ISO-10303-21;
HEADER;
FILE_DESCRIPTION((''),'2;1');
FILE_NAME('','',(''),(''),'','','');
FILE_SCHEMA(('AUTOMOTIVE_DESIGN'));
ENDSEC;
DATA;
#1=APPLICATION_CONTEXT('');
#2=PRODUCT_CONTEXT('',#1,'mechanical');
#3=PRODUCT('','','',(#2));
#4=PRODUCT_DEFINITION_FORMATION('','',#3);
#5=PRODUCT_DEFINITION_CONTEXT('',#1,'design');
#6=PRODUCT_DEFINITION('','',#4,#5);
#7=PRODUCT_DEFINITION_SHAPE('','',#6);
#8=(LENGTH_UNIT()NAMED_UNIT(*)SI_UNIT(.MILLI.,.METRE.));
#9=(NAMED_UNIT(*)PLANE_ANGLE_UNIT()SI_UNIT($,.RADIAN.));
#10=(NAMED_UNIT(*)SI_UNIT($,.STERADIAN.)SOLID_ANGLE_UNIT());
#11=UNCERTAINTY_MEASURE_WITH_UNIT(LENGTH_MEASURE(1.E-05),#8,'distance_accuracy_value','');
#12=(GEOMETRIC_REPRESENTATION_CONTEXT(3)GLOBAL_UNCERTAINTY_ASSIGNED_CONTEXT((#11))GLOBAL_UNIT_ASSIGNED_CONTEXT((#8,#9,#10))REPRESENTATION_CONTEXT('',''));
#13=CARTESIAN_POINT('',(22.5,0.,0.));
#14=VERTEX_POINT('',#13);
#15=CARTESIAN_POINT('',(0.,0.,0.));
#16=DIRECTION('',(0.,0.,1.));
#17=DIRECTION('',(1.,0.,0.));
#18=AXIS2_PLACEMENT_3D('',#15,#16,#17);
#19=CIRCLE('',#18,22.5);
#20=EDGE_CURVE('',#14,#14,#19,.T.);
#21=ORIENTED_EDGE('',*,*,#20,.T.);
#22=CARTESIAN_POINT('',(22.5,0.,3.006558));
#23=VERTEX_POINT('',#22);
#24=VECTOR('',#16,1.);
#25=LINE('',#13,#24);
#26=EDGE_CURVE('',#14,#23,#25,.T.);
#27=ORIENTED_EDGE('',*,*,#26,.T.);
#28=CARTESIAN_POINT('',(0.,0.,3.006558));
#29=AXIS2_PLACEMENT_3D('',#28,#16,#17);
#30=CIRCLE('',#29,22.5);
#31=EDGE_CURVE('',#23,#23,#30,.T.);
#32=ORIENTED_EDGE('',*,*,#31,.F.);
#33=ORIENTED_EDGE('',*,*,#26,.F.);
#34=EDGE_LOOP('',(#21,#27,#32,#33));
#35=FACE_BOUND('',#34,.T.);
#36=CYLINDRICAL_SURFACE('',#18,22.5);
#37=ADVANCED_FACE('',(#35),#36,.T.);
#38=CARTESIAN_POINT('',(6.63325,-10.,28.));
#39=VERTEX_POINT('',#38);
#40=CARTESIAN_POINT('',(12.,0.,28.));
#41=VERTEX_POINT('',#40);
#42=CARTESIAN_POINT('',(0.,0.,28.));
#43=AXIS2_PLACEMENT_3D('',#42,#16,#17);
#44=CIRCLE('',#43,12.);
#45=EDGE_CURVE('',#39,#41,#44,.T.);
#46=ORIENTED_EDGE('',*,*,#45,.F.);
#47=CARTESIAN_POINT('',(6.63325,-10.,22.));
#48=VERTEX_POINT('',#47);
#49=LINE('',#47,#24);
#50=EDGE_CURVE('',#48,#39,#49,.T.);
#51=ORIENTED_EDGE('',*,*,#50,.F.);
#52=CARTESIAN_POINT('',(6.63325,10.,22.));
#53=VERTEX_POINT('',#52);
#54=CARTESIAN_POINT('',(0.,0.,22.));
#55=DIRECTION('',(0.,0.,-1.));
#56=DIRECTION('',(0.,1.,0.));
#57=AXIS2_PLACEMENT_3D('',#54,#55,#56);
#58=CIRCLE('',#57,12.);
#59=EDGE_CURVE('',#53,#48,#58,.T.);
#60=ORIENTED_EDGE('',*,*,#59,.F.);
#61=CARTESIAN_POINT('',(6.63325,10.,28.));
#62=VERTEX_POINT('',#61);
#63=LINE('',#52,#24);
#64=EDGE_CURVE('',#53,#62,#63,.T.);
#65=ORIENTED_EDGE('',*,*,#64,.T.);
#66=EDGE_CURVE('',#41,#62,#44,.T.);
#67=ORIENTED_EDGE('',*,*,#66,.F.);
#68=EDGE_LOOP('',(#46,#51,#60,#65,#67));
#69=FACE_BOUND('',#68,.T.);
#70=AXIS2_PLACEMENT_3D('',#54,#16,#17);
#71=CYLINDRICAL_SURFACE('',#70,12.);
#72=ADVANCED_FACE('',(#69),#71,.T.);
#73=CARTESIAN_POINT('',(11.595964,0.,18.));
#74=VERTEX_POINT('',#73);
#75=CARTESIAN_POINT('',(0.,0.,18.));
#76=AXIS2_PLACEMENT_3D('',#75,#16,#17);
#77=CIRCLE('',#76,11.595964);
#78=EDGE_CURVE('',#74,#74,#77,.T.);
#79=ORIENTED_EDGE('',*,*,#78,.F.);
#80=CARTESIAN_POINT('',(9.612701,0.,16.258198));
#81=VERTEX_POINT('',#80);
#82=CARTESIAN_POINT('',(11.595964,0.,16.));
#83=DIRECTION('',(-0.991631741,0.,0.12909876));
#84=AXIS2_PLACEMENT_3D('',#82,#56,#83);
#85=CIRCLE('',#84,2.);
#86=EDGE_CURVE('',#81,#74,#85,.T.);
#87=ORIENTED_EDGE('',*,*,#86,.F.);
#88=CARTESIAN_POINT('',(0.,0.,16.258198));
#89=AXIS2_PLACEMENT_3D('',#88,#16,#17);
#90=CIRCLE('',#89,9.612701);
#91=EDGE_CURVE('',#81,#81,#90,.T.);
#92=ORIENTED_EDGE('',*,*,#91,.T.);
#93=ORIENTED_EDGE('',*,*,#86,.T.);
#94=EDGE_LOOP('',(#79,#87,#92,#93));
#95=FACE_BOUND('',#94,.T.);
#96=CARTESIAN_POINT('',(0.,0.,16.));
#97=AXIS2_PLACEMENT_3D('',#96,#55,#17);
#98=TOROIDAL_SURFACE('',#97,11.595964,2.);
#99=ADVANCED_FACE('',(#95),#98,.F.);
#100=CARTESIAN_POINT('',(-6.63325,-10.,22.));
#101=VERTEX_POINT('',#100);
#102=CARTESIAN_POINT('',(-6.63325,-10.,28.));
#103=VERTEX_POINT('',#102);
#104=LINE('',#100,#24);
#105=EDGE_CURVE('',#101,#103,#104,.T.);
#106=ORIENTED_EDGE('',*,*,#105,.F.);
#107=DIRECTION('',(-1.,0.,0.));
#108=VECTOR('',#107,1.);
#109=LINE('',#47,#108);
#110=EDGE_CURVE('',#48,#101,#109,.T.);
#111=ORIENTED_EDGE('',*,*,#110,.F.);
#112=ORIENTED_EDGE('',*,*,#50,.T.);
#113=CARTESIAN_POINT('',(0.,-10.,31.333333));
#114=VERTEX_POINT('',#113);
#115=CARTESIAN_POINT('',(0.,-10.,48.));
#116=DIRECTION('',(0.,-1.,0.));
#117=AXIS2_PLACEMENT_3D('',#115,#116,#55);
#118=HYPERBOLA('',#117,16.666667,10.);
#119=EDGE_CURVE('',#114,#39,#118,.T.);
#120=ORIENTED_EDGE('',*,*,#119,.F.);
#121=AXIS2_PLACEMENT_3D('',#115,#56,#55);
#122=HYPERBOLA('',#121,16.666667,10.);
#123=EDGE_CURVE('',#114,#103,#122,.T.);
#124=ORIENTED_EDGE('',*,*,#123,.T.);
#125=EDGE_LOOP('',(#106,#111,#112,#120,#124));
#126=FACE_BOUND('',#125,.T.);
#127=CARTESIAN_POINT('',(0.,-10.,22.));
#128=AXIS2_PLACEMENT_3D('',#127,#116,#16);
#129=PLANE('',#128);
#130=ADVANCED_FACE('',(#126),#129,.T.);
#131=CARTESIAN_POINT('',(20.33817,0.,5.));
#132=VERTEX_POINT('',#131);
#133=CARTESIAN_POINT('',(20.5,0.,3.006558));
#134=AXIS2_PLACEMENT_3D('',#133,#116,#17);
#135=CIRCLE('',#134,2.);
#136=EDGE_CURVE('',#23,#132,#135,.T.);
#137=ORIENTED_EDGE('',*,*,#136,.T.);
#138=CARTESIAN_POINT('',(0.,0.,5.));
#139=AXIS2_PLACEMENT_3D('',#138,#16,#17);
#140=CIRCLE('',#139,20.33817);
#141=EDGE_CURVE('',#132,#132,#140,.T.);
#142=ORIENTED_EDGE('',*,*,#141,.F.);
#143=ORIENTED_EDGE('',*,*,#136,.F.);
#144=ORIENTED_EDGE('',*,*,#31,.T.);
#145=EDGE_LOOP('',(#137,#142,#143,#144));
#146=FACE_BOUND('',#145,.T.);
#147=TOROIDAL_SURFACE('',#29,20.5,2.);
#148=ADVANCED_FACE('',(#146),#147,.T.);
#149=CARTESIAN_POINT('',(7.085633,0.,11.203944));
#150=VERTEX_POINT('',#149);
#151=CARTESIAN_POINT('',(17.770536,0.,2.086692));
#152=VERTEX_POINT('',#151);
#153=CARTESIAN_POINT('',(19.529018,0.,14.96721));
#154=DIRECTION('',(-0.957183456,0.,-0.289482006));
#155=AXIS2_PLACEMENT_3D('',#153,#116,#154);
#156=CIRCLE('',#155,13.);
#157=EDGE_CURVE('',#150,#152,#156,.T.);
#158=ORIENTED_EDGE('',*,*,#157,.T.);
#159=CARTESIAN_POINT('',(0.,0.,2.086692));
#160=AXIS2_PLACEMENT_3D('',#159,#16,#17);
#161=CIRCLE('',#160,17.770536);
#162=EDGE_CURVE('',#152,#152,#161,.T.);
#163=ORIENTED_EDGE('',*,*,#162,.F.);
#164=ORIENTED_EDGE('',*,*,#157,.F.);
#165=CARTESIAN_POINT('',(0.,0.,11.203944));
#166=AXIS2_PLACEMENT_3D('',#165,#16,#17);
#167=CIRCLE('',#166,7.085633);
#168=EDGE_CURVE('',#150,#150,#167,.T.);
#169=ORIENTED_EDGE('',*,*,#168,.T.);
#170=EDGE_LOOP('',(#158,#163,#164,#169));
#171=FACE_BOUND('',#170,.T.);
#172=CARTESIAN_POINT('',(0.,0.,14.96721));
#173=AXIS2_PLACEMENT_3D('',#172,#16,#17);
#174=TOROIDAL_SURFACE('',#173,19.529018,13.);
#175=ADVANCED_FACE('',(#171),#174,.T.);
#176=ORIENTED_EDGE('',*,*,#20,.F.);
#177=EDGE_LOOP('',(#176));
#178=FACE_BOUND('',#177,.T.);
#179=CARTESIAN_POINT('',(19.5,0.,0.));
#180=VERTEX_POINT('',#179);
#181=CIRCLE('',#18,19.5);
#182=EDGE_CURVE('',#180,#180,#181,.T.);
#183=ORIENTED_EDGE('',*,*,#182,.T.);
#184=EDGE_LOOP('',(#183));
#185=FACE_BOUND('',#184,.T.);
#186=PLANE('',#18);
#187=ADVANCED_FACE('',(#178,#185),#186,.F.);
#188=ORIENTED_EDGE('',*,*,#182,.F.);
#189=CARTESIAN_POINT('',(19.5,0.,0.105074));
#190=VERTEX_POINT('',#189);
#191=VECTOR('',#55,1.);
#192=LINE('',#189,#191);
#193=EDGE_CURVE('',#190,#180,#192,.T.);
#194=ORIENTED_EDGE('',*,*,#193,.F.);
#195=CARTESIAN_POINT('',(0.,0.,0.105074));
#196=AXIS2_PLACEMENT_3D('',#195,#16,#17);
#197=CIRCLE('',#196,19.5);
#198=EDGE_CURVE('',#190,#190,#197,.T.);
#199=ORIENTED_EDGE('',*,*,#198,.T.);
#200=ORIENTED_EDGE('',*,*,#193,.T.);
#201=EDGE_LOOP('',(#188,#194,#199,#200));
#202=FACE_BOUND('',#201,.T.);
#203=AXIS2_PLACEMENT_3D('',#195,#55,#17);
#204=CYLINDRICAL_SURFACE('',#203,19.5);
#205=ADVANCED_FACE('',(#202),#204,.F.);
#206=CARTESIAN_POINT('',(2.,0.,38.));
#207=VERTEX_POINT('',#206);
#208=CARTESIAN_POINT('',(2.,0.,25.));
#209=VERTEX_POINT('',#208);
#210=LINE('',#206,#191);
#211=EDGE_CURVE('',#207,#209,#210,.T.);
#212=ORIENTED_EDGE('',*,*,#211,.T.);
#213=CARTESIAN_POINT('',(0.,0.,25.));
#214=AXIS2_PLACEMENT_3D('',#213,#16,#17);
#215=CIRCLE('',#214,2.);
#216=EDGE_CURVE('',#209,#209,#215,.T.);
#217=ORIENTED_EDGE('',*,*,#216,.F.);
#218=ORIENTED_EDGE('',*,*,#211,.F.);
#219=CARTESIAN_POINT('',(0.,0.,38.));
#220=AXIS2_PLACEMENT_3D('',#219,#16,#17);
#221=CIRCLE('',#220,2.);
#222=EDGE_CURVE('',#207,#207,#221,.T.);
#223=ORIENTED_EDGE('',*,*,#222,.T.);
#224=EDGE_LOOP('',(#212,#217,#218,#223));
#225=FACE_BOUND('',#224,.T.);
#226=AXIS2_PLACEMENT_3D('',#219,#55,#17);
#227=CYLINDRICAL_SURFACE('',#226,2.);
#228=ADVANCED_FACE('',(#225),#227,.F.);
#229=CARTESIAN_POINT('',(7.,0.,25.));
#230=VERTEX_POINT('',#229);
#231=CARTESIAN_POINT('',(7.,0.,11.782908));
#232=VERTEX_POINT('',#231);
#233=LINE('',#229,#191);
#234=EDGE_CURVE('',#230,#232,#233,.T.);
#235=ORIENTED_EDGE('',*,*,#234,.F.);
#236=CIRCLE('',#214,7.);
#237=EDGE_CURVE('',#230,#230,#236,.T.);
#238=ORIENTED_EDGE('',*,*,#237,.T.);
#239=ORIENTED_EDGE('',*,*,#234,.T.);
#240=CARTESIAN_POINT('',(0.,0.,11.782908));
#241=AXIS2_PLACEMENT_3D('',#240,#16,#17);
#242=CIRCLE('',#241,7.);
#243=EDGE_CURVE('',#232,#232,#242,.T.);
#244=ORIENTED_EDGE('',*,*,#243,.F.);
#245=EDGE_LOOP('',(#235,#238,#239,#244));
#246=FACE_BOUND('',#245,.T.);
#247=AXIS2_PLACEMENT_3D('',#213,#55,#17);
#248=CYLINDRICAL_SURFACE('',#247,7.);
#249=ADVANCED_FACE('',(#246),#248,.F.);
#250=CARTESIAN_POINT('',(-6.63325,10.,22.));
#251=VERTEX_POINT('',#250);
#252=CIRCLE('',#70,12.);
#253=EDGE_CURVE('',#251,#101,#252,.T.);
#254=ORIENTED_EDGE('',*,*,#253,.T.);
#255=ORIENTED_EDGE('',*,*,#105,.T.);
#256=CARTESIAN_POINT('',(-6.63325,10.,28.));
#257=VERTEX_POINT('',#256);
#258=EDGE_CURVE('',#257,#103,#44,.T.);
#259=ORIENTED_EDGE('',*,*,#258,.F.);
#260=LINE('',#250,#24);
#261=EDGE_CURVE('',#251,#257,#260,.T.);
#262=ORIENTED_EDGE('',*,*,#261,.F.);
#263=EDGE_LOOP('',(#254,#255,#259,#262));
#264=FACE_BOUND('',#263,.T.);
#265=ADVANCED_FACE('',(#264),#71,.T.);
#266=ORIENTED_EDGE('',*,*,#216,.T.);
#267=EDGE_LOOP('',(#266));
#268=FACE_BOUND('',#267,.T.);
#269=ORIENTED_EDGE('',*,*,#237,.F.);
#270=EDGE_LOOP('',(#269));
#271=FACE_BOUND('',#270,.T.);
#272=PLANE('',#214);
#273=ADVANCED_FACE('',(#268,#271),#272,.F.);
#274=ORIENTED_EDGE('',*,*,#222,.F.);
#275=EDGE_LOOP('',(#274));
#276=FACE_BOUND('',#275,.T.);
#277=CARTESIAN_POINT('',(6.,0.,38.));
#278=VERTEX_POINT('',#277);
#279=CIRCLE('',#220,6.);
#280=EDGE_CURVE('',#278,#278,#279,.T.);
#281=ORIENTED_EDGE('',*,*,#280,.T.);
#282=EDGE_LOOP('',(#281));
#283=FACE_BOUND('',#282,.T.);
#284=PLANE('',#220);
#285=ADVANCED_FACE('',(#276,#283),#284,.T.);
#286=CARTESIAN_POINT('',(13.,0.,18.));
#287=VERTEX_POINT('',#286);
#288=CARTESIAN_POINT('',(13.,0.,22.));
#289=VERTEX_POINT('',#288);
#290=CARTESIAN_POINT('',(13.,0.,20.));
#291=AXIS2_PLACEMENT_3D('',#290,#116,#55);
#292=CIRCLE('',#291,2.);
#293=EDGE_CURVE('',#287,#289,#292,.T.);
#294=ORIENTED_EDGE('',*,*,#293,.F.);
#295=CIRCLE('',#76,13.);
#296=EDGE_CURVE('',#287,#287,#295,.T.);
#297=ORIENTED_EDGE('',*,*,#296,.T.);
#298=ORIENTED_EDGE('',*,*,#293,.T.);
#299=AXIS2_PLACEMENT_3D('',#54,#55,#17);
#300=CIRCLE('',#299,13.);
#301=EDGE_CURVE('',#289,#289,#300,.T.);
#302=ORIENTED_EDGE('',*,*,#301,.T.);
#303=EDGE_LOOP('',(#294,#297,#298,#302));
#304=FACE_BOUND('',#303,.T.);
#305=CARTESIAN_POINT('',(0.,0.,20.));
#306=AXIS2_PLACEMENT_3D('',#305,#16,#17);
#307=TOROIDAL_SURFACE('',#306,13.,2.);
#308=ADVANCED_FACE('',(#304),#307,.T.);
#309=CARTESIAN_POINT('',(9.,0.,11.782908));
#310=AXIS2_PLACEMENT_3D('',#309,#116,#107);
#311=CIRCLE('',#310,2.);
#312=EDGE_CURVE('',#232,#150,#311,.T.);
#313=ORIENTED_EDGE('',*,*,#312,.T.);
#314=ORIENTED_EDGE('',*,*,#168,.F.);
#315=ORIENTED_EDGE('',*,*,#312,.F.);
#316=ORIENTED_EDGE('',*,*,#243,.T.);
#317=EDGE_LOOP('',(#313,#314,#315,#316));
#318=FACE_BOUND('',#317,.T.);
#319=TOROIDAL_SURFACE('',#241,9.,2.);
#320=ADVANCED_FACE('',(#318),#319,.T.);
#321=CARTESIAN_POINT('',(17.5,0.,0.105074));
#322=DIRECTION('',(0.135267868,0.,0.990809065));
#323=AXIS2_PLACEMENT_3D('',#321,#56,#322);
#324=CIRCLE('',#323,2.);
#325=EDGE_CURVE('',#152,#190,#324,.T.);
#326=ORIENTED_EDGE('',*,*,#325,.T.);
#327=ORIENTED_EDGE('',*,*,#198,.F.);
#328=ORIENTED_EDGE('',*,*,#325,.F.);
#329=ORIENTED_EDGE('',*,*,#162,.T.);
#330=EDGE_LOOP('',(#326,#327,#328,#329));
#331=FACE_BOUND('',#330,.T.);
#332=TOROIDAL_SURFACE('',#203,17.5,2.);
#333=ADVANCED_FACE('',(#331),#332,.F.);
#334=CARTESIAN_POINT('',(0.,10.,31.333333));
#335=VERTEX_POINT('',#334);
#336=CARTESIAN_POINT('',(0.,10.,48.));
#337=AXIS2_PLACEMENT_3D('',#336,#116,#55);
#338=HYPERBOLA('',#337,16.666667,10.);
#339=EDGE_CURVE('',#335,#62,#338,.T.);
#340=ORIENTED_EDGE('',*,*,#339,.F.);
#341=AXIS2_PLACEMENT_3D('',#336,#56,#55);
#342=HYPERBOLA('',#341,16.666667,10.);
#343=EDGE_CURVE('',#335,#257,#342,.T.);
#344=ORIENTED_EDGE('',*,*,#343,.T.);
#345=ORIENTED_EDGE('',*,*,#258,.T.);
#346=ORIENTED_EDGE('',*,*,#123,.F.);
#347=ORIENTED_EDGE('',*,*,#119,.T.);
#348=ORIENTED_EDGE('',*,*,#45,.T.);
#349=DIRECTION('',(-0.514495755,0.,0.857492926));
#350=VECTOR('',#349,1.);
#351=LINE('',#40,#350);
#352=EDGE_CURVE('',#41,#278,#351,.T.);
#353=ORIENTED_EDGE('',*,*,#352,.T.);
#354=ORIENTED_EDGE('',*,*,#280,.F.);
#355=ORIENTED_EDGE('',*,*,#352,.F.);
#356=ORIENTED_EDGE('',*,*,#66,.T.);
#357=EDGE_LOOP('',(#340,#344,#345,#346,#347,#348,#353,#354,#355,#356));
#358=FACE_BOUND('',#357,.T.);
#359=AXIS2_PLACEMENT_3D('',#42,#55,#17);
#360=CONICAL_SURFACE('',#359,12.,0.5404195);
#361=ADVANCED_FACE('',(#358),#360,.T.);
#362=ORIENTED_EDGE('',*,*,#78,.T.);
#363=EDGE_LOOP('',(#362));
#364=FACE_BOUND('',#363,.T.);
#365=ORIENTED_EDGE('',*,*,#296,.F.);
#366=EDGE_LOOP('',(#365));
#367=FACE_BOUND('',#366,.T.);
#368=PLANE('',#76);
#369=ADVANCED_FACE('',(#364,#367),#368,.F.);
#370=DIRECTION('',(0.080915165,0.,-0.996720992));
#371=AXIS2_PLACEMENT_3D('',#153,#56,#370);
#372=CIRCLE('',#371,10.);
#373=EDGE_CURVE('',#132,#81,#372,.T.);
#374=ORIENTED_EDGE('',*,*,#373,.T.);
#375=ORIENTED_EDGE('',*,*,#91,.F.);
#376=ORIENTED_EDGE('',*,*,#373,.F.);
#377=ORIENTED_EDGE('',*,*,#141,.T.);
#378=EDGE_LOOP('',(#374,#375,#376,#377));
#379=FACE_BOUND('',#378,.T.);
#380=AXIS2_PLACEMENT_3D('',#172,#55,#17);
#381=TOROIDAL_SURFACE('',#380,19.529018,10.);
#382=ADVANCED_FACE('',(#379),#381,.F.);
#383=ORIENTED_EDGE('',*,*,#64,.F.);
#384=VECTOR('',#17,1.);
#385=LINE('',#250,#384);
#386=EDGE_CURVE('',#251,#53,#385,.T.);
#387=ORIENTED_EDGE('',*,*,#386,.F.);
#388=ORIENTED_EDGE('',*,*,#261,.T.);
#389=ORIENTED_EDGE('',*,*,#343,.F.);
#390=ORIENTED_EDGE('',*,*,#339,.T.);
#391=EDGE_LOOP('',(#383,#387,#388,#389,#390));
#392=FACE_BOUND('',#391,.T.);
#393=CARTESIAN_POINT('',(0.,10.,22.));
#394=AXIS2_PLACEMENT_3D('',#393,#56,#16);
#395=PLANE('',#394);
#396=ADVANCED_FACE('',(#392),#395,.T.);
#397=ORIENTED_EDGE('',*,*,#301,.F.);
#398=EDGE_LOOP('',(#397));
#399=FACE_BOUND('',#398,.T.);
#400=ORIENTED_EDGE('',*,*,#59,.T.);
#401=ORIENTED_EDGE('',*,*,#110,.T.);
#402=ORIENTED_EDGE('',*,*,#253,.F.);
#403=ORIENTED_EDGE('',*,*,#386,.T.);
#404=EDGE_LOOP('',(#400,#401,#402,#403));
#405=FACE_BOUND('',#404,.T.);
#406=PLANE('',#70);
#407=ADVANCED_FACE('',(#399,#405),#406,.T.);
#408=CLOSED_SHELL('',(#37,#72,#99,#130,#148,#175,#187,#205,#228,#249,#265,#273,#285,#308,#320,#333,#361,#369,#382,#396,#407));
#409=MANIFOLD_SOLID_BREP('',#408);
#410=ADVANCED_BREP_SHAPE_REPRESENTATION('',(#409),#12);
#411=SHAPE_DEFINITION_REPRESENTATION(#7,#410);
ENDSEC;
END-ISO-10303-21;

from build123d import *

# Parameters (mm, degrees)
F2_W          = 13.471012935
F2_H          = 14.7102138698
F2_W_2        = 8.109325543
F2_H_2        = 14.3289453089
F3_DEPTH      = 22.5010001
F3_DEPTH_BACK = 22.5010001


with BuildPart() as f1:
    # F0 (on Front) → F1 (revolve)
    with BuildSketch(Plane.XZ):
        with BuildLine():
            Line((19.5, 0.1050739404), (19.5, 0))
            Line((19.5, 0), (22.5, 0))
            Line((22.5, 0), (22.5, 3.0065580159))
            ThreePointArc((22.5, 3.0065580159), (21.8557911599, 4.4768744209), (20.3381696692, 5))
            ThreePointArc((20.3381696692, 5), (12.2887231396, 8.0695197192), (9.6127006031, 16.2581975199))
            ThreePointArc((9.6127006031, 16.2581975199), (10.2761904382, 17.5027300223), (11.5959640855, 18))
            Line((11.5959640855, 18), (13, 18))
            ThreePointArc((13, 18), (15, 20), (13, 22))
            Line((13, 22), (12, 22))
            Line((12, 22), (12, 28))
            Line((12, 28), (6, 38))
            Line((6, 38), (2, 38))
            Line((2, 38), (2, 25))
            Line((2, 25), (7, 25))
            Line((7, 25), (7, 11.7829078565))
            ThreePointArc((7, 11.7829078565), (7.0215240937, 11.4902765387), (7.0856330881, 11.2039438448))
            ThreePointArc((7.0856330881, 11.2039438448), (11.0907523156, 5.0780404922), (17.7705357354, 2.0866920711))
            ThreePointArc((17.7705357354, 2.0866920711), (19.0068296969, 1.4201649124), (19.5, 0.1050739404))
        make_face()
    revolve(axis=Axis((0, 0, 21.2093579986), (0, 0, 1)))

    # F2 (on Right) → F3 (cut, two sides)
    with BuildSketch(Plane.YZ) as f3_sk:
        with Locations((-16.7355064675, 29.3551069349)):
            Rectangle(F2_W, F2_H)
        with Locations((14.0546627715, 29.1644726545)):
            Rectangle(F2_W_2, F2_H_2)
    extrude(amount=-F3_DEPTH, mode=Mode.SUBTRACT)
    extrude(f3_sk.sketch, amount=F3_DEPTH_BACK, mode=Mode.SUBTRACT)


solid = f1.part
